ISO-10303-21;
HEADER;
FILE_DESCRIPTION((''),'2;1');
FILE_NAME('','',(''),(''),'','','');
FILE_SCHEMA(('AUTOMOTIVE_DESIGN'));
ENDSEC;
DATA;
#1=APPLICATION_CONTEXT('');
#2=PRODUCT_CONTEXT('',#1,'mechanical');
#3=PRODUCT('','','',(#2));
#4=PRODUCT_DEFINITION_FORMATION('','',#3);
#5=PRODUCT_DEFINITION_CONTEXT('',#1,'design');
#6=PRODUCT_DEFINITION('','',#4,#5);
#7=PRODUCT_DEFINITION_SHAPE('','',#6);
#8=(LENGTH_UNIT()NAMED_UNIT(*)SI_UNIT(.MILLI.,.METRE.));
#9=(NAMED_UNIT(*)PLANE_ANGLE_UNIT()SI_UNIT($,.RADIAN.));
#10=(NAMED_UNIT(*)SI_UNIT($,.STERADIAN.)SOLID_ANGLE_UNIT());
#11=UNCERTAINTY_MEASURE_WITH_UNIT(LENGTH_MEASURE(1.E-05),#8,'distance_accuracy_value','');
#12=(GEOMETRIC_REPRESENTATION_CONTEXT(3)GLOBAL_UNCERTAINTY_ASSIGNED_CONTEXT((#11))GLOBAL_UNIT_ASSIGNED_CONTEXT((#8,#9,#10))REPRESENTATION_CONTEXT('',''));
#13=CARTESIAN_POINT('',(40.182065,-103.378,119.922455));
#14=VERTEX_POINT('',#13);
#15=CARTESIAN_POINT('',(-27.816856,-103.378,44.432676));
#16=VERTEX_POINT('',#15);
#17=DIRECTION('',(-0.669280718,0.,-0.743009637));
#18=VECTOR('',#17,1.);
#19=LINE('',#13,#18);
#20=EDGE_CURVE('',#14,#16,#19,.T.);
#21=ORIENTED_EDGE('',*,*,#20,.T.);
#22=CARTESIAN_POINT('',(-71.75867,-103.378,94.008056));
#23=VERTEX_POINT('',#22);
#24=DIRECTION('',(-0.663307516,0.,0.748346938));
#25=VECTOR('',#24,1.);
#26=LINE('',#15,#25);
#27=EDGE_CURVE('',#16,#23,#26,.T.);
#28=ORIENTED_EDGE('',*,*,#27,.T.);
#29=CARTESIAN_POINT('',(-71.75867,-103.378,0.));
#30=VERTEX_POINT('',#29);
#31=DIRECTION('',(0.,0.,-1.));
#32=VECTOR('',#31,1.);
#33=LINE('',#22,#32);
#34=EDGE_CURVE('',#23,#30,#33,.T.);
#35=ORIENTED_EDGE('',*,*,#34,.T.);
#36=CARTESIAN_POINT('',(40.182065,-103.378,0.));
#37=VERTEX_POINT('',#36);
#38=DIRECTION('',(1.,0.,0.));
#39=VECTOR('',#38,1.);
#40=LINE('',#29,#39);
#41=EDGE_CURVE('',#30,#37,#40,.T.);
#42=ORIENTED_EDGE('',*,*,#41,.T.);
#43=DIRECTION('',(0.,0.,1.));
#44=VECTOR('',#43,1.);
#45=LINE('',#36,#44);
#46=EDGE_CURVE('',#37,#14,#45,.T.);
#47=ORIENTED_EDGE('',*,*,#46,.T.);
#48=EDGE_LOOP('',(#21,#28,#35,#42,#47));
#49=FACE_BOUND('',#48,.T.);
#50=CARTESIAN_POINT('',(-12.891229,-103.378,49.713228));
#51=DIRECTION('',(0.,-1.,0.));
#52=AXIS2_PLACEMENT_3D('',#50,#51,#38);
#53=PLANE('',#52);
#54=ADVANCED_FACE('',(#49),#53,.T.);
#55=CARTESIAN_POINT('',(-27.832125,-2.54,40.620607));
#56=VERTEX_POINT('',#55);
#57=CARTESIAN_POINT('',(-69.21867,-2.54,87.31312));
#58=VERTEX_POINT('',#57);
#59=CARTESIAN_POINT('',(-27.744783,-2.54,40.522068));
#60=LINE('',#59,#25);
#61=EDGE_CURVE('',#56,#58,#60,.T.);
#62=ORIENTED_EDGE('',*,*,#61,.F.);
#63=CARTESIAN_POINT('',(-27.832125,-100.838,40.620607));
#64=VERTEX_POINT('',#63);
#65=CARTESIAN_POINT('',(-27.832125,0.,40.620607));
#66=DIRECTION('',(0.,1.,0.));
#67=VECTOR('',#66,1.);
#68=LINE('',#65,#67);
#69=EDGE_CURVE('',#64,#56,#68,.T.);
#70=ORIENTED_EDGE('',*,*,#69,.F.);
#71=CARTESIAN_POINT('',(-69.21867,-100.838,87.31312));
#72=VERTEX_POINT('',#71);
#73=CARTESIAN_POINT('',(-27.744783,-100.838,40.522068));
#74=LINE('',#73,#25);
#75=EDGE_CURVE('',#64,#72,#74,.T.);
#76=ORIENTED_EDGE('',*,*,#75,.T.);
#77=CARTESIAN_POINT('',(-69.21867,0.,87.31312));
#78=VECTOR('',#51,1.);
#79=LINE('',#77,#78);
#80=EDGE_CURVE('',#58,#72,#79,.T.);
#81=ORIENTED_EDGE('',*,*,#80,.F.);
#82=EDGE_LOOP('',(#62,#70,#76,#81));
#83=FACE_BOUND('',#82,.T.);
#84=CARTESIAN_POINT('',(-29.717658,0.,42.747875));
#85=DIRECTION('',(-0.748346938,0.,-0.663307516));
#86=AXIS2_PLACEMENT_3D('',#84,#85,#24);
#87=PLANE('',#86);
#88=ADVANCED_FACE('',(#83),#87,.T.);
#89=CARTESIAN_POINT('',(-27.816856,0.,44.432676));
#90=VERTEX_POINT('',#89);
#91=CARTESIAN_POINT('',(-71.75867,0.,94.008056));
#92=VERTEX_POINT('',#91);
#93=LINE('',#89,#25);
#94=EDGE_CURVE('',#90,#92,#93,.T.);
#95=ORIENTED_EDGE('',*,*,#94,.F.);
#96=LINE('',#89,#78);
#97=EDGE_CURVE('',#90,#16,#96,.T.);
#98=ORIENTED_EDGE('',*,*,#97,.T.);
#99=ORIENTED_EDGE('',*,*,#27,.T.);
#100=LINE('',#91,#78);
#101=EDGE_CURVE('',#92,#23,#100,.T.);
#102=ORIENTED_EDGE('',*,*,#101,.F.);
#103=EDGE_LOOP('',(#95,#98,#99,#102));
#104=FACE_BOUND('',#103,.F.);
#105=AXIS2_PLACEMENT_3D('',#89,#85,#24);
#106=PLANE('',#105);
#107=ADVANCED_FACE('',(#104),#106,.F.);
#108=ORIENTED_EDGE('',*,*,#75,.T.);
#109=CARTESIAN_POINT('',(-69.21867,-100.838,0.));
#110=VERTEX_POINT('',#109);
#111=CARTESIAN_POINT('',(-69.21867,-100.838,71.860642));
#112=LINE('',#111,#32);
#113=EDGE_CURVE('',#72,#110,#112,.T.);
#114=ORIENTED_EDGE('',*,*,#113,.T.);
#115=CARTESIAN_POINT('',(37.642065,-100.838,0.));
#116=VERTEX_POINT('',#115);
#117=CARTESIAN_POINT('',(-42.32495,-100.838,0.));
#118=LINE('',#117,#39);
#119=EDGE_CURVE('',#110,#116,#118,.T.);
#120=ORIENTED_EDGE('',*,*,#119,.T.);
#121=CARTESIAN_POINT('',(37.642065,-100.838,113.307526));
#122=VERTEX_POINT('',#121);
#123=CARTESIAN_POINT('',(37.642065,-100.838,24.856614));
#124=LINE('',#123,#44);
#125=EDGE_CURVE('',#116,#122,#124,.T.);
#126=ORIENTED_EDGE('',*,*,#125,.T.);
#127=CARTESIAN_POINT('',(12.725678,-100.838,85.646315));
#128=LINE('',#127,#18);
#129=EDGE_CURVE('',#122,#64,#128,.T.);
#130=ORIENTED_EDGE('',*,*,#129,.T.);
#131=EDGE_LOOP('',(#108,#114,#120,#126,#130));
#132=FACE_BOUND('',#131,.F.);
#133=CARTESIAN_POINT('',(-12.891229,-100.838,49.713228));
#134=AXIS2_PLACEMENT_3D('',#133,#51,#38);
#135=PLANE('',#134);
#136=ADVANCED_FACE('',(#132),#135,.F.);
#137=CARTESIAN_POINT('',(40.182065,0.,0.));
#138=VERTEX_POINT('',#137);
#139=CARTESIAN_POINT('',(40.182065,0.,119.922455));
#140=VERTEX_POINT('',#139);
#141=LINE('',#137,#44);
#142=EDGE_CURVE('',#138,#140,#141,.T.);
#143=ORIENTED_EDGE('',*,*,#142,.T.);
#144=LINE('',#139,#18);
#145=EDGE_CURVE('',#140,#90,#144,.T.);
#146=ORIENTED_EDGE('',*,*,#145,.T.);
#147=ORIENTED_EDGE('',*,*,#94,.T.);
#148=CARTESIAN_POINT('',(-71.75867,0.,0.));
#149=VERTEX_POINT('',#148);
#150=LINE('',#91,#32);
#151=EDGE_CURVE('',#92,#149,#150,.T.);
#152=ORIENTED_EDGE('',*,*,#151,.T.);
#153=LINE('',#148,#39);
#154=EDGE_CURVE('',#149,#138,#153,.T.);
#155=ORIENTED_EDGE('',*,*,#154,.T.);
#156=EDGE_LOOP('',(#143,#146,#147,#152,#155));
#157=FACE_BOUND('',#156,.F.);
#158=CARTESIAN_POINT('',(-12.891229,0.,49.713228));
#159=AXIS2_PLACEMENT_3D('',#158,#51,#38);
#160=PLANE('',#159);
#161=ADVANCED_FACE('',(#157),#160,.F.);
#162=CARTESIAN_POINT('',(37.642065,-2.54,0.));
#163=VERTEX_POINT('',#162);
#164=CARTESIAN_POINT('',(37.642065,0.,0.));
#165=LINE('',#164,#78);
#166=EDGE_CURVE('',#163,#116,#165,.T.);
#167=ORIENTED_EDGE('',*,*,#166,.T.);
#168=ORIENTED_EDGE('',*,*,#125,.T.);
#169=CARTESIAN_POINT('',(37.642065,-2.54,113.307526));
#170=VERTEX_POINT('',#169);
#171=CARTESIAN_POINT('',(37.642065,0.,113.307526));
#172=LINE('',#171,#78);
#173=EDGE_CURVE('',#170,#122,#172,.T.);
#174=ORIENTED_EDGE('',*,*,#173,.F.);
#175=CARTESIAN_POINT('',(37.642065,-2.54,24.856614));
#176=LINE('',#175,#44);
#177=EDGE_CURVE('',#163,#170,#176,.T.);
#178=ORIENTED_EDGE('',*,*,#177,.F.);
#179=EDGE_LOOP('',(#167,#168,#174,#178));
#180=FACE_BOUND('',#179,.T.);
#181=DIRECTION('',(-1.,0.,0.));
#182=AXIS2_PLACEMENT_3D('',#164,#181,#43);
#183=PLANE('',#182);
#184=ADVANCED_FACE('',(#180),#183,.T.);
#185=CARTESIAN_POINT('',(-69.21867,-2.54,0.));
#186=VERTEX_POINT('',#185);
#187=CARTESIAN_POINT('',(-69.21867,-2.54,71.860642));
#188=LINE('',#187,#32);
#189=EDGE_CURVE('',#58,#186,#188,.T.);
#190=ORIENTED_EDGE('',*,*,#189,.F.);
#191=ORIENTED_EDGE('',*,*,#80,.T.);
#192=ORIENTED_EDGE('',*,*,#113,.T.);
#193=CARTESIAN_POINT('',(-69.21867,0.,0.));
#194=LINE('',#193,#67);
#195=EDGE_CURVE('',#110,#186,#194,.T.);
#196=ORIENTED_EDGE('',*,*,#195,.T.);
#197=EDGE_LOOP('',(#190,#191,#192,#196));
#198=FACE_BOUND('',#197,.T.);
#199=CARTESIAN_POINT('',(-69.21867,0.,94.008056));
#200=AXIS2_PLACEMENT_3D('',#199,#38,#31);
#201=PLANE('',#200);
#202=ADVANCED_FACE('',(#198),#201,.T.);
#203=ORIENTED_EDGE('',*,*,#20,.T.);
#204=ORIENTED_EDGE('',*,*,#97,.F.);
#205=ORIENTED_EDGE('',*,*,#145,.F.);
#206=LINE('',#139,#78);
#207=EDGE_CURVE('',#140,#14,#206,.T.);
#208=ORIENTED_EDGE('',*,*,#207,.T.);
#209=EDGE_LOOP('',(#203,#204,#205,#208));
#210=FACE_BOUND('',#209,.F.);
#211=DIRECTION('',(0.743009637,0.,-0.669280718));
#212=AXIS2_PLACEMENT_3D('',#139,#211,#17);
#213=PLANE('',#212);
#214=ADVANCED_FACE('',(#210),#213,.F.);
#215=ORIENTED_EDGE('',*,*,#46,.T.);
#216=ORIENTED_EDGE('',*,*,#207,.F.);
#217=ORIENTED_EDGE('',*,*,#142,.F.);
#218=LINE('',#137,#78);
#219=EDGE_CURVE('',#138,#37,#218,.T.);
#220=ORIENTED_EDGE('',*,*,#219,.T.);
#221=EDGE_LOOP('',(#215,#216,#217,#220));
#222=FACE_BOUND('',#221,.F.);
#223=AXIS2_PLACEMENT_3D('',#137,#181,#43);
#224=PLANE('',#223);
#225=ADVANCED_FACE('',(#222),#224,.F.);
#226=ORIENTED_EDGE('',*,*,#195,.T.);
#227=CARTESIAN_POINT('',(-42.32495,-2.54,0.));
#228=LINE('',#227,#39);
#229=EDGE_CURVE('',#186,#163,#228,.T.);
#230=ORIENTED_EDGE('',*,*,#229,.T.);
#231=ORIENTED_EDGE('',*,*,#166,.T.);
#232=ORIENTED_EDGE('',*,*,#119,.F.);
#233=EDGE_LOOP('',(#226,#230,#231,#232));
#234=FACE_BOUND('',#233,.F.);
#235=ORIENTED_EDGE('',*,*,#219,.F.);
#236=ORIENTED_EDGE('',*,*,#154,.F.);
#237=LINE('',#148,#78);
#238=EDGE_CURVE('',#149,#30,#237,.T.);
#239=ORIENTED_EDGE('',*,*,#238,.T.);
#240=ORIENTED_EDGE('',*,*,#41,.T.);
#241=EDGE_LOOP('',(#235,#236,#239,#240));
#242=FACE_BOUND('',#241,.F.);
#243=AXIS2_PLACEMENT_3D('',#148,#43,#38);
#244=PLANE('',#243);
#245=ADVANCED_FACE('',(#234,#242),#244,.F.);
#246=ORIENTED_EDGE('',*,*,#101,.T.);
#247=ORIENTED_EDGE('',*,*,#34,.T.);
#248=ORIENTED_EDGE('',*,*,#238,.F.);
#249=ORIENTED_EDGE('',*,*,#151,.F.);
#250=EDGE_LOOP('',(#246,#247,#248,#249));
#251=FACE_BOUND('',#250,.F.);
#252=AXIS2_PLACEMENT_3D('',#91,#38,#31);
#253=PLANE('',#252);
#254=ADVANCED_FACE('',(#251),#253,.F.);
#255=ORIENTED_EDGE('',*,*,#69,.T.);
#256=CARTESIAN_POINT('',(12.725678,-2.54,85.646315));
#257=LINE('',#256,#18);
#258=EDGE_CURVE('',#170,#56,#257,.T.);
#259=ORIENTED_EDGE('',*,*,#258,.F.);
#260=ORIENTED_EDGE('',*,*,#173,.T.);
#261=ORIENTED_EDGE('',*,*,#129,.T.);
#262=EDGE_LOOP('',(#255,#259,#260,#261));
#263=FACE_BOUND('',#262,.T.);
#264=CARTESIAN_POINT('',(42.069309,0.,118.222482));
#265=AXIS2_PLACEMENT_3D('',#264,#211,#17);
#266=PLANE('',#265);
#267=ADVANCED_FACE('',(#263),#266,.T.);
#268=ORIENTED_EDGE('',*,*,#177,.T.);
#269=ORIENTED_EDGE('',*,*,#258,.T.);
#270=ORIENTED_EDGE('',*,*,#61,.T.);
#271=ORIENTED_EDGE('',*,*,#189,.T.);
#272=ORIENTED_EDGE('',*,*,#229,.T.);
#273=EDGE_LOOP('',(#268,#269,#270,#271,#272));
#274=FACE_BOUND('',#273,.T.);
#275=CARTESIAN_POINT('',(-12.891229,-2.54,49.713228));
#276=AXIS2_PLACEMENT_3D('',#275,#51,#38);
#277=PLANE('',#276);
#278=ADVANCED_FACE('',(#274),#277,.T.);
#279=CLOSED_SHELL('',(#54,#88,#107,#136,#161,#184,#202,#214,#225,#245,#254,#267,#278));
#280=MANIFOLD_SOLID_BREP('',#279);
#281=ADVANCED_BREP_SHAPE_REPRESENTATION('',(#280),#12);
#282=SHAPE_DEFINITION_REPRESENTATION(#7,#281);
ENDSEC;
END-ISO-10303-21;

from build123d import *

# Parameters (mm, degrees)
F1_DEPTH = 103.378
F2_T     = -2.54


with BuildPart() as f1:
    # F0 (on Front) → F1 (new body)
    with BuildSketch(Plane.XZ):
        Polygon((-71.7586703687, 0), (0, 0), (40.1820645289, 0), (40.1820645289, 119.9224553038), (-27.8168563806, 44.4326761603), (-71.7586703687, 94.0080558437), align=None)
    extrude(amount=F1_DEPTH)

    # F2
    f2_openings = [f1.faces().sort_by_distance(p)[0] for p in [
        (-15.788303, -51.689, 0),
    ]]
    offset(amount=F2_T, openings=f2_openings, kind=Kind.INTERSECTION)


solid = f1.part
